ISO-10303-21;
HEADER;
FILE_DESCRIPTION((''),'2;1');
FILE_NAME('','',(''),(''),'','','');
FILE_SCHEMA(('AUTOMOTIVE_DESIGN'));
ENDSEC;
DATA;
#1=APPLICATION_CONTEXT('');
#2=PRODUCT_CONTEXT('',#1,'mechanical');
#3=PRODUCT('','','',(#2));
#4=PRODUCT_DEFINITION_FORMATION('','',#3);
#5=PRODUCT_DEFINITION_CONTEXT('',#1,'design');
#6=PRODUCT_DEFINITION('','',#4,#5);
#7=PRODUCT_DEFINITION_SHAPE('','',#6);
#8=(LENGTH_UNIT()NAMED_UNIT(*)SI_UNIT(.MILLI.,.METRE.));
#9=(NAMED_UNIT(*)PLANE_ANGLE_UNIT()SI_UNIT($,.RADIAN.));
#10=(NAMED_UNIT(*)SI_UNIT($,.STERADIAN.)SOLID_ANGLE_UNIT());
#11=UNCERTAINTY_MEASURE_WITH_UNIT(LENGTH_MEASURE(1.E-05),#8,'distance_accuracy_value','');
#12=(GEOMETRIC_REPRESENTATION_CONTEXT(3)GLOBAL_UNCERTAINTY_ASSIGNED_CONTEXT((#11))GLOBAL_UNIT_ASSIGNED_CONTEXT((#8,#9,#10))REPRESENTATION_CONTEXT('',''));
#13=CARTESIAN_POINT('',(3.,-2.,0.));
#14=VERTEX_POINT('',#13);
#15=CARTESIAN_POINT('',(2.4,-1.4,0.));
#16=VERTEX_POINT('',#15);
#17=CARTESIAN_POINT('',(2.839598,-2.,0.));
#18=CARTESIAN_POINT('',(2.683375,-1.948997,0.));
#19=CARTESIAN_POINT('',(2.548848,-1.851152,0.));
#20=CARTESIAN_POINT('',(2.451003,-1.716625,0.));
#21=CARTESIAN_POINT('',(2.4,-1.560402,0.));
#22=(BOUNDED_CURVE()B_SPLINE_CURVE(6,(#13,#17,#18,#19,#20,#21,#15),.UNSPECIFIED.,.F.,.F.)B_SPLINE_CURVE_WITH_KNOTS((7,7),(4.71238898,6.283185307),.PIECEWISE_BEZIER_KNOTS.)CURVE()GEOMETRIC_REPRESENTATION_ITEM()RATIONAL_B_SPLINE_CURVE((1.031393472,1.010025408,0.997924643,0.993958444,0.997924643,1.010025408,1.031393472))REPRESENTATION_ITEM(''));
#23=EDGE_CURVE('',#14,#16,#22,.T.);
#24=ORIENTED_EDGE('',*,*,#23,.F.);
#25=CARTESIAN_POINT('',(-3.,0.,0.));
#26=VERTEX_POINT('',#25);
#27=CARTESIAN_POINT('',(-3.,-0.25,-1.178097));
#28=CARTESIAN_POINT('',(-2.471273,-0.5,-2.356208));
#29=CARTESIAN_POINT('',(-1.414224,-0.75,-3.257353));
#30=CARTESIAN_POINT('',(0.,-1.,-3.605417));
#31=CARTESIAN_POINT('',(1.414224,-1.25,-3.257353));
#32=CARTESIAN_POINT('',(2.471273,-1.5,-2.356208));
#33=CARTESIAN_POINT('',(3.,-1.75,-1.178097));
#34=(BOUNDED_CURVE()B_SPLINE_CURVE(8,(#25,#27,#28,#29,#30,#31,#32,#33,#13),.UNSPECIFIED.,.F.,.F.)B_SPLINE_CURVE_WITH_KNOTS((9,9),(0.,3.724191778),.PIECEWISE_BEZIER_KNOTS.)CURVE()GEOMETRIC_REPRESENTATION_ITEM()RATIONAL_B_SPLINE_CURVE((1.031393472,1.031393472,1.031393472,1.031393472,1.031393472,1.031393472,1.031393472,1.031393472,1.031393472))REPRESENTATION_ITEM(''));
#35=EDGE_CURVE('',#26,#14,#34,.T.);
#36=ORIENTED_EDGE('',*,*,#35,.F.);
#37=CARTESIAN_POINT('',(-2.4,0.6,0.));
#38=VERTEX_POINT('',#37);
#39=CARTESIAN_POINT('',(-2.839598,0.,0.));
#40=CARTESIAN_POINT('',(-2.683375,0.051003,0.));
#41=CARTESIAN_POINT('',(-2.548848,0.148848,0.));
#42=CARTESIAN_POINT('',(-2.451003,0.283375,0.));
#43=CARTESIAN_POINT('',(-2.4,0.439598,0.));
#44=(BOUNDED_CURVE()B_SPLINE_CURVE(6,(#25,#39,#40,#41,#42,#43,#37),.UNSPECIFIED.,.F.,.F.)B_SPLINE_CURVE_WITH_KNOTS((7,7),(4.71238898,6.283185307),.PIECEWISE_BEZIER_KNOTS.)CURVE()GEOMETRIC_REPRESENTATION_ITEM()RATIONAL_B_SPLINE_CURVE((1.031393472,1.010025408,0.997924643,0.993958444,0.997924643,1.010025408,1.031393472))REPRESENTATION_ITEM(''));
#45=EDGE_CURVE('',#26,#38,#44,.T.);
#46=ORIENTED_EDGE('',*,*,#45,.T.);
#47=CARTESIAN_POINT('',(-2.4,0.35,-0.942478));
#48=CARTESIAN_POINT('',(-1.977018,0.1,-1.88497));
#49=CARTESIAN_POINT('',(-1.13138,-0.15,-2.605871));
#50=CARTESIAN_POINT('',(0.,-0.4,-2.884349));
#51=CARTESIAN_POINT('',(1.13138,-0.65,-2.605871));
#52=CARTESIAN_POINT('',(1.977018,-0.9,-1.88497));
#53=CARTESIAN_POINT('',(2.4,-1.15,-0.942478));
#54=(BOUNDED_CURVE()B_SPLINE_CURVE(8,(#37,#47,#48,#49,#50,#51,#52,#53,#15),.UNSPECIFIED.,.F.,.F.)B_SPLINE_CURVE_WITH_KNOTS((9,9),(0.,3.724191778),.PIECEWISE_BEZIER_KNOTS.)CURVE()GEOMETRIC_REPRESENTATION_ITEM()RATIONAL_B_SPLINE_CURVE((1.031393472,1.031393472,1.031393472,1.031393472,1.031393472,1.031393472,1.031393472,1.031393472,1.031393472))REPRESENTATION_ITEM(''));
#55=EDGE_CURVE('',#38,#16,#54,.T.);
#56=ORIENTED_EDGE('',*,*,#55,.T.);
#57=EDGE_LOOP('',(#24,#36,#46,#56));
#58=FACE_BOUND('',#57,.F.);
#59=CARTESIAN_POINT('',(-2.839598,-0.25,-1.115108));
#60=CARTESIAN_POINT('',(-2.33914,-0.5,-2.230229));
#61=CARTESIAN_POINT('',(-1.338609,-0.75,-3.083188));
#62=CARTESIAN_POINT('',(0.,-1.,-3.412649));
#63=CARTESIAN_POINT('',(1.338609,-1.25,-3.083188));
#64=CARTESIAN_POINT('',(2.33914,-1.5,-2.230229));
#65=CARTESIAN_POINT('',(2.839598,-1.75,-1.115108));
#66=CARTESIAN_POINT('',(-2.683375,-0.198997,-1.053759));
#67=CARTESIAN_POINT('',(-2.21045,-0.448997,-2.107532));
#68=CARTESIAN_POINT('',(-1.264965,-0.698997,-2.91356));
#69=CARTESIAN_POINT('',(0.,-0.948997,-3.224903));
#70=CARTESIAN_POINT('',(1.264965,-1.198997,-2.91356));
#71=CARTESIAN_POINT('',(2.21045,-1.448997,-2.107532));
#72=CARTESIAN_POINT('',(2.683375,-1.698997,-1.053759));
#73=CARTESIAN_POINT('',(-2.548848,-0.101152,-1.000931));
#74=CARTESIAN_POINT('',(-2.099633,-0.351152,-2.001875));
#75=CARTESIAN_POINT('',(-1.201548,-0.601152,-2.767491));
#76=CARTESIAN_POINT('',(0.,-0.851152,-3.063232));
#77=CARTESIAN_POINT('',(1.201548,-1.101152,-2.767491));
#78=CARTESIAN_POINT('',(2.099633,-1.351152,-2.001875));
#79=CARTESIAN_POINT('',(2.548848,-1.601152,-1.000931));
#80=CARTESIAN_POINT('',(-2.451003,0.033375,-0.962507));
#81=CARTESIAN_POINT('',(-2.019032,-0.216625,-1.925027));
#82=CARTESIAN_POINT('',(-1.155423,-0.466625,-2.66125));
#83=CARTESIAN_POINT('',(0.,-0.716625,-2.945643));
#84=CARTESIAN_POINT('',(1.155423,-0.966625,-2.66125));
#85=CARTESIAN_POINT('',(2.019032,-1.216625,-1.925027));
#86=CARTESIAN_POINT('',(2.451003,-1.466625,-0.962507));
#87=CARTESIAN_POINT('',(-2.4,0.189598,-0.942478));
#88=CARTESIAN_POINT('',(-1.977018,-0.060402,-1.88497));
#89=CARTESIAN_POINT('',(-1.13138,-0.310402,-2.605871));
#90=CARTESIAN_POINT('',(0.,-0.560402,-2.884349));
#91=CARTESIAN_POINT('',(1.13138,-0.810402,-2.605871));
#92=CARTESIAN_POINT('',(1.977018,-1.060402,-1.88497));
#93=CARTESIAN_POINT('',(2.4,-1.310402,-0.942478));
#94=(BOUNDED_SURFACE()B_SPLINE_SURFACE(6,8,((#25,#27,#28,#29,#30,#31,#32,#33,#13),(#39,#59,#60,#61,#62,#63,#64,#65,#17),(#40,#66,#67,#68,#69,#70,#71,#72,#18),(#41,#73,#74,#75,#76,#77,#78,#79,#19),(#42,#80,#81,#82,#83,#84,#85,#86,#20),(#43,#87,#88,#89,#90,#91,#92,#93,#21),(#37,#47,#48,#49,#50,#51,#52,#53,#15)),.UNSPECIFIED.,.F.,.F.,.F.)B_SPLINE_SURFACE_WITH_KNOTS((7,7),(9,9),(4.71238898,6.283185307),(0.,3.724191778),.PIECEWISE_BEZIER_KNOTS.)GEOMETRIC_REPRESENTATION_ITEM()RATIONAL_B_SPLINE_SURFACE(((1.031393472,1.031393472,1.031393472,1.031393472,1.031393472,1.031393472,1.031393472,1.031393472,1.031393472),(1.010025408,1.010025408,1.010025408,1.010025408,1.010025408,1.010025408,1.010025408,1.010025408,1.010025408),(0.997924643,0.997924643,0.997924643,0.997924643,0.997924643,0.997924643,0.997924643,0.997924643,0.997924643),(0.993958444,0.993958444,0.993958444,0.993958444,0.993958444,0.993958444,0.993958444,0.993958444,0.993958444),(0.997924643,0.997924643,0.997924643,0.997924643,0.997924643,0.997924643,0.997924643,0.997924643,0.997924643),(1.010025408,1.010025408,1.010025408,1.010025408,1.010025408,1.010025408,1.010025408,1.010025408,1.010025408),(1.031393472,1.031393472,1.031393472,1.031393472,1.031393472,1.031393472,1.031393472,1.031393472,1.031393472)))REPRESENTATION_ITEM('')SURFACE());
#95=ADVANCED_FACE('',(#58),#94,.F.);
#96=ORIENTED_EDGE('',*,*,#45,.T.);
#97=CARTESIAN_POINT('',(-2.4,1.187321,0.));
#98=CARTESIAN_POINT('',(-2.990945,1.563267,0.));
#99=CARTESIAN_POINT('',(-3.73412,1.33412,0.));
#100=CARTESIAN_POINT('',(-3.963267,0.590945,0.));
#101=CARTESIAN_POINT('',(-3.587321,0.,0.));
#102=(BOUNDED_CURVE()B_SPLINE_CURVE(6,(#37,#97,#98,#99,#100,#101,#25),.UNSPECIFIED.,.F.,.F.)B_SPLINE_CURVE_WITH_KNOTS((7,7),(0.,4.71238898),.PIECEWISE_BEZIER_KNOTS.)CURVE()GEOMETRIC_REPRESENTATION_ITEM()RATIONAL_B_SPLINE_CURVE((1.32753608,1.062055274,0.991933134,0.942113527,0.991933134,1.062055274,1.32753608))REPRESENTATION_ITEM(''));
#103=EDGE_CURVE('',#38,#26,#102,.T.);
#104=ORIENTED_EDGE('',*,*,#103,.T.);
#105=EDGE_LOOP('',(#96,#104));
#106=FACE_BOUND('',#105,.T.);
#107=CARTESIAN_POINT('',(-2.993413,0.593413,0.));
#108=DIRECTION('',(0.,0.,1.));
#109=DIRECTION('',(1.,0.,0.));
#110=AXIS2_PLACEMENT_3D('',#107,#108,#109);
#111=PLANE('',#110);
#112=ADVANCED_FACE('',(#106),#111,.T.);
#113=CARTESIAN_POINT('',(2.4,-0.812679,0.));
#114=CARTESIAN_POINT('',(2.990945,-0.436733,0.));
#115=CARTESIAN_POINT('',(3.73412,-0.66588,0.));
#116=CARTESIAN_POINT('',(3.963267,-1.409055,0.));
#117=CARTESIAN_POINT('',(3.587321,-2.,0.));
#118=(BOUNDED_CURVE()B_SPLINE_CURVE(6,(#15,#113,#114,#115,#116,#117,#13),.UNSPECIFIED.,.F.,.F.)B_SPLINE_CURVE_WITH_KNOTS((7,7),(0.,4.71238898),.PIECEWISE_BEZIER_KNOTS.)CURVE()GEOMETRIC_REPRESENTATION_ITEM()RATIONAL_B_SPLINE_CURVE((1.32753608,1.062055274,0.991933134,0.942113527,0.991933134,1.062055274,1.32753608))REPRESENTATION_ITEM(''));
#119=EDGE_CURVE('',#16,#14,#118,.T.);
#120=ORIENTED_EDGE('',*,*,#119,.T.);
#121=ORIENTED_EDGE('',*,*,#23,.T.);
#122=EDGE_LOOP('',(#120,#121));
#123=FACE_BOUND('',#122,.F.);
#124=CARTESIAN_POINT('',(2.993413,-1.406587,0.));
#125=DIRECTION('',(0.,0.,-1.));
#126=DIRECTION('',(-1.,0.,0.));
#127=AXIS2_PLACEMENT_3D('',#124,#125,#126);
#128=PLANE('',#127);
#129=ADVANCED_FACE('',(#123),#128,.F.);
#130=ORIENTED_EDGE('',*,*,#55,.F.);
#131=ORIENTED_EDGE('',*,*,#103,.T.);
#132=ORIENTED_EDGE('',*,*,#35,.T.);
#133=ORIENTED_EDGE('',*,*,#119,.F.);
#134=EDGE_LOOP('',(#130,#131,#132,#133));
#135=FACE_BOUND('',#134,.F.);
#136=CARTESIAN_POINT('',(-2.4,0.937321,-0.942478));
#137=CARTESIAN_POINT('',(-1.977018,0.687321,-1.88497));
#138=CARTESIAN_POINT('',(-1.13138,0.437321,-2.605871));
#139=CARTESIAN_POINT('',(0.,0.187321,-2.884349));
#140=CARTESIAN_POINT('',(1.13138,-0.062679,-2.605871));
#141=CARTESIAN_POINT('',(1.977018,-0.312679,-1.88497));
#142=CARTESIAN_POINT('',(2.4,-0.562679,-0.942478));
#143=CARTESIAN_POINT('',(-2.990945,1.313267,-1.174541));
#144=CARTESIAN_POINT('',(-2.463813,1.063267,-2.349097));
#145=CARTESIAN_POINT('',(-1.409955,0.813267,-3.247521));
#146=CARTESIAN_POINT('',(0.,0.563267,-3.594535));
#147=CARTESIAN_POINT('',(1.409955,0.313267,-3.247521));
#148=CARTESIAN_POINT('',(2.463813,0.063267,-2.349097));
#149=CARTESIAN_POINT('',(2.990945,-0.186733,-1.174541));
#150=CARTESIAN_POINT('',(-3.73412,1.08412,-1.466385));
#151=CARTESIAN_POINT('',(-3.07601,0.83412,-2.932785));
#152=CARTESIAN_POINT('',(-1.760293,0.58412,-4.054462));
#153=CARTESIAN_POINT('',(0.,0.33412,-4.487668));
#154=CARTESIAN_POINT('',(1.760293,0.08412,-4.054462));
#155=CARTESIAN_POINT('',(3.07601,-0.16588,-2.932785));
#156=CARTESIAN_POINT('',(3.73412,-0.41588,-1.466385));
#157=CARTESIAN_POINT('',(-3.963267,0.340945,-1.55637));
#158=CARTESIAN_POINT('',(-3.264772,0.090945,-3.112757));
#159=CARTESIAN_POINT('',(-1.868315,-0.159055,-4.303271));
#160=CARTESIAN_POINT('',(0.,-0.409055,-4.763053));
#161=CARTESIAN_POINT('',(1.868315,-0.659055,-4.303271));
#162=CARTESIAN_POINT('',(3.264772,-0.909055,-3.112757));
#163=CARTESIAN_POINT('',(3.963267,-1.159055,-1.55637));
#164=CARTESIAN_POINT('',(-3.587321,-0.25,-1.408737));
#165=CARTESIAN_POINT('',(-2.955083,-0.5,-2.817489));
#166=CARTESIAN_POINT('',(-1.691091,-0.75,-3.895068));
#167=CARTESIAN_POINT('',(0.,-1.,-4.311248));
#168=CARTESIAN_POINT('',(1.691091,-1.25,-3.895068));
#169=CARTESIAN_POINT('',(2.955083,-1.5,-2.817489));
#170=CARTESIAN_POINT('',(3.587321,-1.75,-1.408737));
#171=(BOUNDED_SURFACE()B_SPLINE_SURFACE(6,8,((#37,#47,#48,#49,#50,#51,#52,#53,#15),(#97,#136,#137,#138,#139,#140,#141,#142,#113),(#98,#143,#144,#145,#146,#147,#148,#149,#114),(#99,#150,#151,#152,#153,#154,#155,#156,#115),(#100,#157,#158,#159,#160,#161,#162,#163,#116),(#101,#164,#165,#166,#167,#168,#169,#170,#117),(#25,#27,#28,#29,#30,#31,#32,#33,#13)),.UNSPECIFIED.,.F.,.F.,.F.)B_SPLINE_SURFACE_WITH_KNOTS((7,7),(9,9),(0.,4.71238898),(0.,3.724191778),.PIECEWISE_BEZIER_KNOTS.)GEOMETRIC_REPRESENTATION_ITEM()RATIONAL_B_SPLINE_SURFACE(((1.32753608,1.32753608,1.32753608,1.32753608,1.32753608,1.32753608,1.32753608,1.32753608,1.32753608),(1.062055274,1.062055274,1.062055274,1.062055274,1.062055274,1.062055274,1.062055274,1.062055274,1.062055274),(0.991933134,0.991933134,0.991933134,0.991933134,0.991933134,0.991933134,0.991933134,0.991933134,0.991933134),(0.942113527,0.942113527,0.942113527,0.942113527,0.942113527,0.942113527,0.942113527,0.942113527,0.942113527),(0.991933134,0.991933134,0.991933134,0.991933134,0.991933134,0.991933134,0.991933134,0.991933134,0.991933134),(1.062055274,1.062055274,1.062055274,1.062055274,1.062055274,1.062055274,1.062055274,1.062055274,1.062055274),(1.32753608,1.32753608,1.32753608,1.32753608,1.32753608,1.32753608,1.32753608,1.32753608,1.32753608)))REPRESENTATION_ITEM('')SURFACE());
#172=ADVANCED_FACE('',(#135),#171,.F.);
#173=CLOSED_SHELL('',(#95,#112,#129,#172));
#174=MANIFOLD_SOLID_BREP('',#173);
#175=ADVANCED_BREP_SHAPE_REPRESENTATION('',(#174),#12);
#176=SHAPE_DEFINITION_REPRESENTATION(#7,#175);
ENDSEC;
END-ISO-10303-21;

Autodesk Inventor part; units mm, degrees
ref_plane "YZ Plane" through (0, 0, 0) normal (1, 0, 0) x (0, 1, 0)
ref_plane "XZ Plane" through (0, 0, 0) normal (0, 1, 0) x (-1, 0, 0)
sketch "Sketch1" plane through (0, 0, 0) normal (0, 0, 1) x (1, 0, 0)
  line L0 (0, 12.3589) -> (0, 0)
  line L1 (-3, 0) -> (3, 0)
  circle A0 centre (-3, 0.6) radius 0.6
  dimension "d1" = 1.2
  dimension "d10" = 6
coil "Coil1" sketch "Sketch1" operation add axis through (0, 12.3589, 0) along (0, -1, 0) pitch 4 turns 0.5 hand right
sketch "Sketch2" plane through (-3, 0.6, 0) normal (0, 0, 1) x (1, 0, 0)
  circle A0 centre (0, 0) radius 0.6 projected
  circle A1 centre (6, -2) radius 0.6 projected
  line L0 (0, 0) -> (6, -2)
  line L1 (6, -2) -> (-0.1349, -0.5846)
  line L2 (3, -1) -> (2.9326, -1.2923)
  point P0 (3, -0.6)
  point P1 (0.6, 0)
  point P2 (6.9451, -2.5)
  point P3 (5.4, -2)
sketch3d "3D Sketch1"
ref_plane "Work Plane1" through (-3, 0.6, 0) normal (0.3162, 0.9487, 0) x (0.9487, -0.3162, 0)
properties part number "spring_part"
